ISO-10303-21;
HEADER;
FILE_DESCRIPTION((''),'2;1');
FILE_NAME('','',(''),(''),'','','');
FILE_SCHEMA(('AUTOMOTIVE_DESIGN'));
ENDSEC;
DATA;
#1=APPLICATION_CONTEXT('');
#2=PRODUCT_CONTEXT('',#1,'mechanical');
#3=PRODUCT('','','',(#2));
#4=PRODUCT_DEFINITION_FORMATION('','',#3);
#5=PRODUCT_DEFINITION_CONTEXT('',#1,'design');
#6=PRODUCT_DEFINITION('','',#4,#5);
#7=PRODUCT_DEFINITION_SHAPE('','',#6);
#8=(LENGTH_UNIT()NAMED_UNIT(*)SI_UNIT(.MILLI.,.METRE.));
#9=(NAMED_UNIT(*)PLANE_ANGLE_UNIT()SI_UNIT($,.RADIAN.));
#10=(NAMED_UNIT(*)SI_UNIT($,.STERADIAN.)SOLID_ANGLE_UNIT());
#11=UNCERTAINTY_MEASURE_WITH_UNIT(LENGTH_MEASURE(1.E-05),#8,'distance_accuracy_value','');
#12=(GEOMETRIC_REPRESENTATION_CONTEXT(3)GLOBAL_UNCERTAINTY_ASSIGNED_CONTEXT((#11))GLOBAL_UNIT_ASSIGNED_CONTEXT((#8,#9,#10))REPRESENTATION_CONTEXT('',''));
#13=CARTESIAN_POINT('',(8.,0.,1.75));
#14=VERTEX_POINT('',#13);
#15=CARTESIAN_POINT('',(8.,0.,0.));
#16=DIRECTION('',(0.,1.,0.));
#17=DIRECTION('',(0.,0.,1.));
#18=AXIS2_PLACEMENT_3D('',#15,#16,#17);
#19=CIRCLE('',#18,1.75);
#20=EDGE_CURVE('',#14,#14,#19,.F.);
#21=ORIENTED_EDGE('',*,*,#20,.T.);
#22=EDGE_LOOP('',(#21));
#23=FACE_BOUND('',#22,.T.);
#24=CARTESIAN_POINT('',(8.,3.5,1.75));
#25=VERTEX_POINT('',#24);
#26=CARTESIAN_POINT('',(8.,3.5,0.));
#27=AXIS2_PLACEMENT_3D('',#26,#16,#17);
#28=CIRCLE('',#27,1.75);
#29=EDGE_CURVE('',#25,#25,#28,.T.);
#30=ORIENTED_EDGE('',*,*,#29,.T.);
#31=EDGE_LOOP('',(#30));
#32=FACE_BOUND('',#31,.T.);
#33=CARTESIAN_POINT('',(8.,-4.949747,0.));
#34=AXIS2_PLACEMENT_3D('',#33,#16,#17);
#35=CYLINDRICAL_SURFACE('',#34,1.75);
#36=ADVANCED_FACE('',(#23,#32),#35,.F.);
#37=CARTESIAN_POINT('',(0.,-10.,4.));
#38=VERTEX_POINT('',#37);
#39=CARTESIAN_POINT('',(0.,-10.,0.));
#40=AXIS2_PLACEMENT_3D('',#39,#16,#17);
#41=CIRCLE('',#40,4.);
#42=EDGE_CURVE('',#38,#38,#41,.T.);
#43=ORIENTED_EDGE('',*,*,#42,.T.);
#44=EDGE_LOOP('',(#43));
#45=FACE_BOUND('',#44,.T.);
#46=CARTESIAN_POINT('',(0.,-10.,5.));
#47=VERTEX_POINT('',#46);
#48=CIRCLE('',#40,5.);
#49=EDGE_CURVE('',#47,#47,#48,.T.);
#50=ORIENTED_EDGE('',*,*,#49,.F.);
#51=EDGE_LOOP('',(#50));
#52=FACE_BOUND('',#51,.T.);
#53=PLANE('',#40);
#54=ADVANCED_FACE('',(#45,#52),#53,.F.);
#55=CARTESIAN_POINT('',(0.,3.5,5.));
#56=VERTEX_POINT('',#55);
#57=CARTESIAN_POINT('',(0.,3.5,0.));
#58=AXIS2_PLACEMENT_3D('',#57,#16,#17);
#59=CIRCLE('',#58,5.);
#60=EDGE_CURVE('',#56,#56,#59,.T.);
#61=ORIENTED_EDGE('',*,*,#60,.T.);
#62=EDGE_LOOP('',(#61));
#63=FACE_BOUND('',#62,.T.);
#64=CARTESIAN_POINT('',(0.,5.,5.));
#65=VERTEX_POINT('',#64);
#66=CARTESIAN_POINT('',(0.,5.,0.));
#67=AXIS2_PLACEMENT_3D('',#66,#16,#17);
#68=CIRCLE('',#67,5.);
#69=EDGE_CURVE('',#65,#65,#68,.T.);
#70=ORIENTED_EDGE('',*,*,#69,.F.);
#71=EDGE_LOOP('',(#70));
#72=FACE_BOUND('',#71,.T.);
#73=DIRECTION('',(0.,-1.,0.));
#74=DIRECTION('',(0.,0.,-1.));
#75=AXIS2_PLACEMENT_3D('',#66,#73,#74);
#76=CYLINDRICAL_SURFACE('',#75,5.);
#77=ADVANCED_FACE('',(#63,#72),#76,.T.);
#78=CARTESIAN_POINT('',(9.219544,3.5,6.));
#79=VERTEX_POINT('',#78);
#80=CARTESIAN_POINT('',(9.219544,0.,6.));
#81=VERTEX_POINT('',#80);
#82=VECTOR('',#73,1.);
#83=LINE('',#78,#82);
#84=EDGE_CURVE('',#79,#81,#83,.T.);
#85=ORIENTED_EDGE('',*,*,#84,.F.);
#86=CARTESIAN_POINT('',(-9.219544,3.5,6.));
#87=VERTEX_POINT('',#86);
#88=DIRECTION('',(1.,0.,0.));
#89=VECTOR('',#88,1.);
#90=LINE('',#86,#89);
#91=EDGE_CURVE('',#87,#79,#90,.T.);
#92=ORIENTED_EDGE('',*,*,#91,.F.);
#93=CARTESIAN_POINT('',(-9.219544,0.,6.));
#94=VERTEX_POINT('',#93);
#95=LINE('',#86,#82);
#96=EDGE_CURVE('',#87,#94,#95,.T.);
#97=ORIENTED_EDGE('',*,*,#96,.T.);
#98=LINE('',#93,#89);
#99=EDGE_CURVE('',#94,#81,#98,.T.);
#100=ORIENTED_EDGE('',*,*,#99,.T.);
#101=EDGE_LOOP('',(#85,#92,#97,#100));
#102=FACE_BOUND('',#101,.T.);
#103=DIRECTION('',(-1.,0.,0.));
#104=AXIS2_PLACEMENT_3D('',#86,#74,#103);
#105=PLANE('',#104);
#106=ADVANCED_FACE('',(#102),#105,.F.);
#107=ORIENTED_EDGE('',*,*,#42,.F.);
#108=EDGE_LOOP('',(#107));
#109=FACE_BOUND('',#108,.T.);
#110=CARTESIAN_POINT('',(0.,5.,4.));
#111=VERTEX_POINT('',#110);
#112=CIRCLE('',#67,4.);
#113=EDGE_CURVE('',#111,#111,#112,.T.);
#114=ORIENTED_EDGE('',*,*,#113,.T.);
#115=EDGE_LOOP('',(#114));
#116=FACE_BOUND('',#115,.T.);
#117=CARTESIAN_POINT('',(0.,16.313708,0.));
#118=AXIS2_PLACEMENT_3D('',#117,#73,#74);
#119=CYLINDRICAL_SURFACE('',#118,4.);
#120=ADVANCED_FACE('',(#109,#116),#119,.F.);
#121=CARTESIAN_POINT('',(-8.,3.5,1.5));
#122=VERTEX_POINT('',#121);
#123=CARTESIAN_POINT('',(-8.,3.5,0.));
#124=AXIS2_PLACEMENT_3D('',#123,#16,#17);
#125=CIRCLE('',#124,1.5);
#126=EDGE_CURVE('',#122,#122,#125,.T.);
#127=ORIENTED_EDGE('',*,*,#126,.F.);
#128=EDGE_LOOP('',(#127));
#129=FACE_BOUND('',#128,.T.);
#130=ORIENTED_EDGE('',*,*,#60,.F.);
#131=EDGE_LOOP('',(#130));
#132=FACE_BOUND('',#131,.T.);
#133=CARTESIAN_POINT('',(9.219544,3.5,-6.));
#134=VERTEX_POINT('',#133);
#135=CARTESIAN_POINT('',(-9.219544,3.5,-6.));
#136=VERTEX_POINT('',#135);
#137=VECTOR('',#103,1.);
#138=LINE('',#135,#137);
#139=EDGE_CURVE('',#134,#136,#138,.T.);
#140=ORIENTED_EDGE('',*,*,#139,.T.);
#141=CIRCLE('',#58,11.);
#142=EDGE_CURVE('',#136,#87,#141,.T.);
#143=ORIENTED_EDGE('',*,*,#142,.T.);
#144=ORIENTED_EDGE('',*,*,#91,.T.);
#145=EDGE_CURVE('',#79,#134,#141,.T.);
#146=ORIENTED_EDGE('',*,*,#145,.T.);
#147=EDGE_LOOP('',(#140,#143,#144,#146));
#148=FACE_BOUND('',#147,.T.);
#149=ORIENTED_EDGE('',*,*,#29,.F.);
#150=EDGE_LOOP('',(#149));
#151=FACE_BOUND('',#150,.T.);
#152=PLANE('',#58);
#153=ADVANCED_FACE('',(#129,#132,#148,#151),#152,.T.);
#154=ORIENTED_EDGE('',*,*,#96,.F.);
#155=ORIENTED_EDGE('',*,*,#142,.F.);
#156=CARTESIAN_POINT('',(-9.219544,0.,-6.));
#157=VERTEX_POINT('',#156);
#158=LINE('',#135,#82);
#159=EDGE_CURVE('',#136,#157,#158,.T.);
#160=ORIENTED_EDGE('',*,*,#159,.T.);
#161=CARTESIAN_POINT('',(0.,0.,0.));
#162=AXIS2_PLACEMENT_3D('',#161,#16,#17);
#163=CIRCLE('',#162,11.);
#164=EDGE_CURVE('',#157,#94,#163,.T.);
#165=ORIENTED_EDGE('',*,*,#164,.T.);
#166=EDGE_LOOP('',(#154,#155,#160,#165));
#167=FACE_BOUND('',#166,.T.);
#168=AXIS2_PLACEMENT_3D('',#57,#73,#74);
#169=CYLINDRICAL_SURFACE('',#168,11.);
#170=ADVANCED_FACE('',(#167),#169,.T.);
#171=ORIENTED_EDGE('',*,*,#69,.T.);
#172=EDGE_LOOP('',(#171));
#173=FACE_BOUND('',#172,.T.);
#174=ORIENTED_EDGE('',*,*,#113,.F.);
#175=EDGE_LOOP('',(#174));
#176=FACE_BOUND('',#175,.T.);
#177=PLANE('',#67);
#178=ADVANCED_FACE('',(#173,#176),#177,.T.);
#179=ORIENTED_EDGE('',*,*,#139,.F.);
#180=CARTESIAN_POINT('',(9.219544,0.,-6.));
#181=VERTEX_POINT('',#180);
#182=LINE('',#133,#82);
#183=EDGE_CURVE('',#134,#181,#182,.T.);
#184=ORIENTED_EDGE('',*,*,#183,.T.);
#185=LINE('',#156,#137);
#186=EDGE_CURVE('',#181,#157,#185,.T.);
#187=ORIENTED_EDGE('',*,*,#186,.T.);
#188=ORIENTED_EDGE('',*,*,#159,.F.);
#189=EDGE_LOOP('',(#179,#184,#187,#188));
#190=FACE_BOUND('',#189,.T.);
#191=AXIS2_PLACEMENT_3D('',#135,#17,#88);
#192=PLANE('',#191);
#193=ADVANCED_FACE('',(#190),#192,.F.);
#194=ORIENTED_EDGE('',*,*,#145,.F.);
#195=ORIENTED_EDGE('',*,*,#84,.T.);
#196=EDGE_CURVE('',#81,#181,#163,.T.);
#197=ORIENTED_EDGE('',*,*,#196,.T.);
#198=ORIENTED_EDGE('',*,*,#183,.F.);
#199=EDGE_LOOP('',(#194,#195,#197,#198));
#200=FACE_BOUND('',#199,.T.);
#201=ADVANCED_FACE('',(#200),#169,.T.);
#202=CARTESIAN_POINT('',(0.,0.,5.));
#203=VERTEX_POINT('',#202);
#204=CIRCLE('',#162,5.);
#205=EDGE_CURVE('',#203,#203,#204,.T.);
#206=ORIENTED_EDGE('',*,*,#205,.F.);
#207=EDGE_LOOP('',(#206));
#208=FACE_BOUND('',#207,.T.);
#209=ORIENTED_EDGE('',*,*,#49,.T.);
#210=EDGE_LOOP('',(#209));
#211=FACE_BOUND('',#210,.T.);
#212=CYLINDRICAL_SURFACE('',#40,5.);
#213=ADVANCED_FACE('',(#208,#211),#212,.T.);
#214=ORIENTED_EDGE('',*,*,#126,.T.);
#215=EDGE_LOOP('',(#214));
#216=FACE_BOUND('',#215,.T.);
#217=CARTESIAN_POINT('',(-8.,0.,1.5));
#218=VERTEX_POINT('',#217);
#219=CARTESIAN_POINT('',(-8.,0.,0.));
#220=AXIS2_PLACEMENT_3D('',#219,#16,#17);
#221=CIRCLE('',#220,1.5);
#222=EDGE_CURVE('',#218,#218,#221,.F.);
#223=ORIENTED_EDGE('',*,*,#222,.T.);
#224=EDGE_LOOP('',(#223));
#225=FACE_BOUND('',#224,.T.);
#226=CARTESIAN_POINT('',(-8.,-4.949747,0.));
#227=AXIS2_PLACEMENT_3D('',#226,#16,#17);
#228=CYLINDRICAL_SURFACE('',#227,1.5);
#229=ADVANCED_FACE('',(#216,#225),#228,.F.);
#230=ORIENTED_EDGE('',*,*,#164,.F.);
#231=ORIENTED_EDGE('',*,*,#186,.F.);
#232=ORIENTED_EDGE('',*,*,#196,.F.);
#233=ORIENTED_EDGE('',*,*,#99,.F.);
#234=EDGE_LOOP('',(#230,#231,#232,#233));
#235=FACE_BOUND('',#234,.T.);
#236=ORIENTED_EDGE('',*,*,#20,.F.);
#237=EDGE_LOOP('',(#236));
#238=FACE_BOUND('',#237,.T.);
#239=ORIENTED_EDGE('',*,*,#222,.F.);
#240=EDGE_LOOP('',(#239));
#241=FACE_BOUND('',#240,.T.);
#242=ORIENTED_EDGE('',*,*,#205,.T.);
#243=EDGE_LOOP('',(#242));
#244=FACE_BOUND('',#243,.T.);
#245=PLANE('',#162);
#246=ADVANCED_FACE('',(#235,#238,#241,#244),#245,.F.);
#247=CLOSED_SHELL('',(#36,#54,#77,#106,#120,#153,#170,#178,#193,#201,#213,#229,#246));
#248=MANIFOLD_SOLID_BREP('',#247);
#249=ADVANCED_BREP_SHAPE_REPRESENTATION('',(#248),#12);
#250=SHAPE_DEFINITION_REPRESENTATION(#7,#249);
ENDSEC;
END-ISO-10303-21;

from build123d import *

# Parameters (mm, degrees)
EXTRUDE_1_DEPTH     = 3.5
CUT_EXTRUDE_START   = 3.5
SKETCH_2_R          = 1.75
SKETCH_2_R_2        = 1.5
CUT_EXTRUDE_1_DEPTH = 3.5
SKETCH_3_R          = 5
EXTRUDE_2_DEPTH     = 10
EXTRUDE_START       = 5
SKETCH_4_R          = 5
EXTRUDE_3_DEPTH     = 1.5
CUT_EXTRUDE_START_2 = -10
SKETCH_5_R          = 4
CUT_EXTRUDE_2_DEPTH = 15


with BuildPart() as part:
    # 草图1 → 凸台-拉伸1 (new body)
    with BuildSketch(Plane(origin=(0, 0, 0), x_dir=(1, 0, 0), z_dir=(0, 1, 0))):
        with BuildLine():
            Line((-9.219544457, 6), (9.219544457, 6))
            ThreePointArc((9.219544457, 6), (11, 0), (9.219544457, -6))
            Line((9.219544457, -6), (-9.219544457, -6))
            ThreePointArc((-9.219544457, -6), (-11, 0), (-9.219544457, 6))
        make_face()
    extrude(amount=EXTRUDE_1_DEPTH)

    # 草图2 → 切除-拉伸1 (cut)
    with BuildSketch(Plane(origin=(0, 0, 0), x_dir=(1, 0, 0), z_dir=(0, 1, 0)).offset(CUT_EXTRUDE_START)):
        with Locations(Location((8, 0, 0), (0, 0, 270))):
            Circle(SKETCH_2_R)
        with Locations(Location((-8, 0, 0), (0, 0, 270))):
            Circle(SKETCH_2_R_2)
    extrude(amount=-CUT_EXTRUDE_1_DEPTH, mode=Mode.SUBTRACT)

    # 草图3 → 凸台-拉伸2 (add)
    with BuildSketch(Plane(origin=(0, 0, 0), x_dir=(1, 0, 0), z_dir=(0, 1, 0))):
        with Locations(Location((0, 0, 0), (0, 0, 270))):
            Circle(SKETCH_3_R)
    extrude(amount=-EXTRUDE_2_DEPTH)

    # 草图4 → 凸台-拉伸3 (add)
    with BuildSketch(Plane(origin=(0, 0, 0), x_dir=(1, 0, 0), z_dir=(0, 1, 0)).offset(EXTRUDE_START)):
        with Locations(Location((0, 0, 0), (0, 0, 270))):
            Circle(SKETCH_4_R)
    extrude(amount=-EXTRUDE_3_DEPTH)

    # 草图5 → 切除-拉伸2 (cut)
    with BuildSketch(Plane(origin=(0, 0, 0), x_dir=(1, 0, 0), z_dir=(0, 1, 0)).offset(CUT_EXTRUDE_START_2)):
        with Locations(Location((0, 0, 0), (0, 0, 270))):
            Circle(SKETCH_5_R)
    extrude(amount=CUT_EXTRUDE_2_DEPTH, mode=Mode.SUBTRACT)


solid = part.part
